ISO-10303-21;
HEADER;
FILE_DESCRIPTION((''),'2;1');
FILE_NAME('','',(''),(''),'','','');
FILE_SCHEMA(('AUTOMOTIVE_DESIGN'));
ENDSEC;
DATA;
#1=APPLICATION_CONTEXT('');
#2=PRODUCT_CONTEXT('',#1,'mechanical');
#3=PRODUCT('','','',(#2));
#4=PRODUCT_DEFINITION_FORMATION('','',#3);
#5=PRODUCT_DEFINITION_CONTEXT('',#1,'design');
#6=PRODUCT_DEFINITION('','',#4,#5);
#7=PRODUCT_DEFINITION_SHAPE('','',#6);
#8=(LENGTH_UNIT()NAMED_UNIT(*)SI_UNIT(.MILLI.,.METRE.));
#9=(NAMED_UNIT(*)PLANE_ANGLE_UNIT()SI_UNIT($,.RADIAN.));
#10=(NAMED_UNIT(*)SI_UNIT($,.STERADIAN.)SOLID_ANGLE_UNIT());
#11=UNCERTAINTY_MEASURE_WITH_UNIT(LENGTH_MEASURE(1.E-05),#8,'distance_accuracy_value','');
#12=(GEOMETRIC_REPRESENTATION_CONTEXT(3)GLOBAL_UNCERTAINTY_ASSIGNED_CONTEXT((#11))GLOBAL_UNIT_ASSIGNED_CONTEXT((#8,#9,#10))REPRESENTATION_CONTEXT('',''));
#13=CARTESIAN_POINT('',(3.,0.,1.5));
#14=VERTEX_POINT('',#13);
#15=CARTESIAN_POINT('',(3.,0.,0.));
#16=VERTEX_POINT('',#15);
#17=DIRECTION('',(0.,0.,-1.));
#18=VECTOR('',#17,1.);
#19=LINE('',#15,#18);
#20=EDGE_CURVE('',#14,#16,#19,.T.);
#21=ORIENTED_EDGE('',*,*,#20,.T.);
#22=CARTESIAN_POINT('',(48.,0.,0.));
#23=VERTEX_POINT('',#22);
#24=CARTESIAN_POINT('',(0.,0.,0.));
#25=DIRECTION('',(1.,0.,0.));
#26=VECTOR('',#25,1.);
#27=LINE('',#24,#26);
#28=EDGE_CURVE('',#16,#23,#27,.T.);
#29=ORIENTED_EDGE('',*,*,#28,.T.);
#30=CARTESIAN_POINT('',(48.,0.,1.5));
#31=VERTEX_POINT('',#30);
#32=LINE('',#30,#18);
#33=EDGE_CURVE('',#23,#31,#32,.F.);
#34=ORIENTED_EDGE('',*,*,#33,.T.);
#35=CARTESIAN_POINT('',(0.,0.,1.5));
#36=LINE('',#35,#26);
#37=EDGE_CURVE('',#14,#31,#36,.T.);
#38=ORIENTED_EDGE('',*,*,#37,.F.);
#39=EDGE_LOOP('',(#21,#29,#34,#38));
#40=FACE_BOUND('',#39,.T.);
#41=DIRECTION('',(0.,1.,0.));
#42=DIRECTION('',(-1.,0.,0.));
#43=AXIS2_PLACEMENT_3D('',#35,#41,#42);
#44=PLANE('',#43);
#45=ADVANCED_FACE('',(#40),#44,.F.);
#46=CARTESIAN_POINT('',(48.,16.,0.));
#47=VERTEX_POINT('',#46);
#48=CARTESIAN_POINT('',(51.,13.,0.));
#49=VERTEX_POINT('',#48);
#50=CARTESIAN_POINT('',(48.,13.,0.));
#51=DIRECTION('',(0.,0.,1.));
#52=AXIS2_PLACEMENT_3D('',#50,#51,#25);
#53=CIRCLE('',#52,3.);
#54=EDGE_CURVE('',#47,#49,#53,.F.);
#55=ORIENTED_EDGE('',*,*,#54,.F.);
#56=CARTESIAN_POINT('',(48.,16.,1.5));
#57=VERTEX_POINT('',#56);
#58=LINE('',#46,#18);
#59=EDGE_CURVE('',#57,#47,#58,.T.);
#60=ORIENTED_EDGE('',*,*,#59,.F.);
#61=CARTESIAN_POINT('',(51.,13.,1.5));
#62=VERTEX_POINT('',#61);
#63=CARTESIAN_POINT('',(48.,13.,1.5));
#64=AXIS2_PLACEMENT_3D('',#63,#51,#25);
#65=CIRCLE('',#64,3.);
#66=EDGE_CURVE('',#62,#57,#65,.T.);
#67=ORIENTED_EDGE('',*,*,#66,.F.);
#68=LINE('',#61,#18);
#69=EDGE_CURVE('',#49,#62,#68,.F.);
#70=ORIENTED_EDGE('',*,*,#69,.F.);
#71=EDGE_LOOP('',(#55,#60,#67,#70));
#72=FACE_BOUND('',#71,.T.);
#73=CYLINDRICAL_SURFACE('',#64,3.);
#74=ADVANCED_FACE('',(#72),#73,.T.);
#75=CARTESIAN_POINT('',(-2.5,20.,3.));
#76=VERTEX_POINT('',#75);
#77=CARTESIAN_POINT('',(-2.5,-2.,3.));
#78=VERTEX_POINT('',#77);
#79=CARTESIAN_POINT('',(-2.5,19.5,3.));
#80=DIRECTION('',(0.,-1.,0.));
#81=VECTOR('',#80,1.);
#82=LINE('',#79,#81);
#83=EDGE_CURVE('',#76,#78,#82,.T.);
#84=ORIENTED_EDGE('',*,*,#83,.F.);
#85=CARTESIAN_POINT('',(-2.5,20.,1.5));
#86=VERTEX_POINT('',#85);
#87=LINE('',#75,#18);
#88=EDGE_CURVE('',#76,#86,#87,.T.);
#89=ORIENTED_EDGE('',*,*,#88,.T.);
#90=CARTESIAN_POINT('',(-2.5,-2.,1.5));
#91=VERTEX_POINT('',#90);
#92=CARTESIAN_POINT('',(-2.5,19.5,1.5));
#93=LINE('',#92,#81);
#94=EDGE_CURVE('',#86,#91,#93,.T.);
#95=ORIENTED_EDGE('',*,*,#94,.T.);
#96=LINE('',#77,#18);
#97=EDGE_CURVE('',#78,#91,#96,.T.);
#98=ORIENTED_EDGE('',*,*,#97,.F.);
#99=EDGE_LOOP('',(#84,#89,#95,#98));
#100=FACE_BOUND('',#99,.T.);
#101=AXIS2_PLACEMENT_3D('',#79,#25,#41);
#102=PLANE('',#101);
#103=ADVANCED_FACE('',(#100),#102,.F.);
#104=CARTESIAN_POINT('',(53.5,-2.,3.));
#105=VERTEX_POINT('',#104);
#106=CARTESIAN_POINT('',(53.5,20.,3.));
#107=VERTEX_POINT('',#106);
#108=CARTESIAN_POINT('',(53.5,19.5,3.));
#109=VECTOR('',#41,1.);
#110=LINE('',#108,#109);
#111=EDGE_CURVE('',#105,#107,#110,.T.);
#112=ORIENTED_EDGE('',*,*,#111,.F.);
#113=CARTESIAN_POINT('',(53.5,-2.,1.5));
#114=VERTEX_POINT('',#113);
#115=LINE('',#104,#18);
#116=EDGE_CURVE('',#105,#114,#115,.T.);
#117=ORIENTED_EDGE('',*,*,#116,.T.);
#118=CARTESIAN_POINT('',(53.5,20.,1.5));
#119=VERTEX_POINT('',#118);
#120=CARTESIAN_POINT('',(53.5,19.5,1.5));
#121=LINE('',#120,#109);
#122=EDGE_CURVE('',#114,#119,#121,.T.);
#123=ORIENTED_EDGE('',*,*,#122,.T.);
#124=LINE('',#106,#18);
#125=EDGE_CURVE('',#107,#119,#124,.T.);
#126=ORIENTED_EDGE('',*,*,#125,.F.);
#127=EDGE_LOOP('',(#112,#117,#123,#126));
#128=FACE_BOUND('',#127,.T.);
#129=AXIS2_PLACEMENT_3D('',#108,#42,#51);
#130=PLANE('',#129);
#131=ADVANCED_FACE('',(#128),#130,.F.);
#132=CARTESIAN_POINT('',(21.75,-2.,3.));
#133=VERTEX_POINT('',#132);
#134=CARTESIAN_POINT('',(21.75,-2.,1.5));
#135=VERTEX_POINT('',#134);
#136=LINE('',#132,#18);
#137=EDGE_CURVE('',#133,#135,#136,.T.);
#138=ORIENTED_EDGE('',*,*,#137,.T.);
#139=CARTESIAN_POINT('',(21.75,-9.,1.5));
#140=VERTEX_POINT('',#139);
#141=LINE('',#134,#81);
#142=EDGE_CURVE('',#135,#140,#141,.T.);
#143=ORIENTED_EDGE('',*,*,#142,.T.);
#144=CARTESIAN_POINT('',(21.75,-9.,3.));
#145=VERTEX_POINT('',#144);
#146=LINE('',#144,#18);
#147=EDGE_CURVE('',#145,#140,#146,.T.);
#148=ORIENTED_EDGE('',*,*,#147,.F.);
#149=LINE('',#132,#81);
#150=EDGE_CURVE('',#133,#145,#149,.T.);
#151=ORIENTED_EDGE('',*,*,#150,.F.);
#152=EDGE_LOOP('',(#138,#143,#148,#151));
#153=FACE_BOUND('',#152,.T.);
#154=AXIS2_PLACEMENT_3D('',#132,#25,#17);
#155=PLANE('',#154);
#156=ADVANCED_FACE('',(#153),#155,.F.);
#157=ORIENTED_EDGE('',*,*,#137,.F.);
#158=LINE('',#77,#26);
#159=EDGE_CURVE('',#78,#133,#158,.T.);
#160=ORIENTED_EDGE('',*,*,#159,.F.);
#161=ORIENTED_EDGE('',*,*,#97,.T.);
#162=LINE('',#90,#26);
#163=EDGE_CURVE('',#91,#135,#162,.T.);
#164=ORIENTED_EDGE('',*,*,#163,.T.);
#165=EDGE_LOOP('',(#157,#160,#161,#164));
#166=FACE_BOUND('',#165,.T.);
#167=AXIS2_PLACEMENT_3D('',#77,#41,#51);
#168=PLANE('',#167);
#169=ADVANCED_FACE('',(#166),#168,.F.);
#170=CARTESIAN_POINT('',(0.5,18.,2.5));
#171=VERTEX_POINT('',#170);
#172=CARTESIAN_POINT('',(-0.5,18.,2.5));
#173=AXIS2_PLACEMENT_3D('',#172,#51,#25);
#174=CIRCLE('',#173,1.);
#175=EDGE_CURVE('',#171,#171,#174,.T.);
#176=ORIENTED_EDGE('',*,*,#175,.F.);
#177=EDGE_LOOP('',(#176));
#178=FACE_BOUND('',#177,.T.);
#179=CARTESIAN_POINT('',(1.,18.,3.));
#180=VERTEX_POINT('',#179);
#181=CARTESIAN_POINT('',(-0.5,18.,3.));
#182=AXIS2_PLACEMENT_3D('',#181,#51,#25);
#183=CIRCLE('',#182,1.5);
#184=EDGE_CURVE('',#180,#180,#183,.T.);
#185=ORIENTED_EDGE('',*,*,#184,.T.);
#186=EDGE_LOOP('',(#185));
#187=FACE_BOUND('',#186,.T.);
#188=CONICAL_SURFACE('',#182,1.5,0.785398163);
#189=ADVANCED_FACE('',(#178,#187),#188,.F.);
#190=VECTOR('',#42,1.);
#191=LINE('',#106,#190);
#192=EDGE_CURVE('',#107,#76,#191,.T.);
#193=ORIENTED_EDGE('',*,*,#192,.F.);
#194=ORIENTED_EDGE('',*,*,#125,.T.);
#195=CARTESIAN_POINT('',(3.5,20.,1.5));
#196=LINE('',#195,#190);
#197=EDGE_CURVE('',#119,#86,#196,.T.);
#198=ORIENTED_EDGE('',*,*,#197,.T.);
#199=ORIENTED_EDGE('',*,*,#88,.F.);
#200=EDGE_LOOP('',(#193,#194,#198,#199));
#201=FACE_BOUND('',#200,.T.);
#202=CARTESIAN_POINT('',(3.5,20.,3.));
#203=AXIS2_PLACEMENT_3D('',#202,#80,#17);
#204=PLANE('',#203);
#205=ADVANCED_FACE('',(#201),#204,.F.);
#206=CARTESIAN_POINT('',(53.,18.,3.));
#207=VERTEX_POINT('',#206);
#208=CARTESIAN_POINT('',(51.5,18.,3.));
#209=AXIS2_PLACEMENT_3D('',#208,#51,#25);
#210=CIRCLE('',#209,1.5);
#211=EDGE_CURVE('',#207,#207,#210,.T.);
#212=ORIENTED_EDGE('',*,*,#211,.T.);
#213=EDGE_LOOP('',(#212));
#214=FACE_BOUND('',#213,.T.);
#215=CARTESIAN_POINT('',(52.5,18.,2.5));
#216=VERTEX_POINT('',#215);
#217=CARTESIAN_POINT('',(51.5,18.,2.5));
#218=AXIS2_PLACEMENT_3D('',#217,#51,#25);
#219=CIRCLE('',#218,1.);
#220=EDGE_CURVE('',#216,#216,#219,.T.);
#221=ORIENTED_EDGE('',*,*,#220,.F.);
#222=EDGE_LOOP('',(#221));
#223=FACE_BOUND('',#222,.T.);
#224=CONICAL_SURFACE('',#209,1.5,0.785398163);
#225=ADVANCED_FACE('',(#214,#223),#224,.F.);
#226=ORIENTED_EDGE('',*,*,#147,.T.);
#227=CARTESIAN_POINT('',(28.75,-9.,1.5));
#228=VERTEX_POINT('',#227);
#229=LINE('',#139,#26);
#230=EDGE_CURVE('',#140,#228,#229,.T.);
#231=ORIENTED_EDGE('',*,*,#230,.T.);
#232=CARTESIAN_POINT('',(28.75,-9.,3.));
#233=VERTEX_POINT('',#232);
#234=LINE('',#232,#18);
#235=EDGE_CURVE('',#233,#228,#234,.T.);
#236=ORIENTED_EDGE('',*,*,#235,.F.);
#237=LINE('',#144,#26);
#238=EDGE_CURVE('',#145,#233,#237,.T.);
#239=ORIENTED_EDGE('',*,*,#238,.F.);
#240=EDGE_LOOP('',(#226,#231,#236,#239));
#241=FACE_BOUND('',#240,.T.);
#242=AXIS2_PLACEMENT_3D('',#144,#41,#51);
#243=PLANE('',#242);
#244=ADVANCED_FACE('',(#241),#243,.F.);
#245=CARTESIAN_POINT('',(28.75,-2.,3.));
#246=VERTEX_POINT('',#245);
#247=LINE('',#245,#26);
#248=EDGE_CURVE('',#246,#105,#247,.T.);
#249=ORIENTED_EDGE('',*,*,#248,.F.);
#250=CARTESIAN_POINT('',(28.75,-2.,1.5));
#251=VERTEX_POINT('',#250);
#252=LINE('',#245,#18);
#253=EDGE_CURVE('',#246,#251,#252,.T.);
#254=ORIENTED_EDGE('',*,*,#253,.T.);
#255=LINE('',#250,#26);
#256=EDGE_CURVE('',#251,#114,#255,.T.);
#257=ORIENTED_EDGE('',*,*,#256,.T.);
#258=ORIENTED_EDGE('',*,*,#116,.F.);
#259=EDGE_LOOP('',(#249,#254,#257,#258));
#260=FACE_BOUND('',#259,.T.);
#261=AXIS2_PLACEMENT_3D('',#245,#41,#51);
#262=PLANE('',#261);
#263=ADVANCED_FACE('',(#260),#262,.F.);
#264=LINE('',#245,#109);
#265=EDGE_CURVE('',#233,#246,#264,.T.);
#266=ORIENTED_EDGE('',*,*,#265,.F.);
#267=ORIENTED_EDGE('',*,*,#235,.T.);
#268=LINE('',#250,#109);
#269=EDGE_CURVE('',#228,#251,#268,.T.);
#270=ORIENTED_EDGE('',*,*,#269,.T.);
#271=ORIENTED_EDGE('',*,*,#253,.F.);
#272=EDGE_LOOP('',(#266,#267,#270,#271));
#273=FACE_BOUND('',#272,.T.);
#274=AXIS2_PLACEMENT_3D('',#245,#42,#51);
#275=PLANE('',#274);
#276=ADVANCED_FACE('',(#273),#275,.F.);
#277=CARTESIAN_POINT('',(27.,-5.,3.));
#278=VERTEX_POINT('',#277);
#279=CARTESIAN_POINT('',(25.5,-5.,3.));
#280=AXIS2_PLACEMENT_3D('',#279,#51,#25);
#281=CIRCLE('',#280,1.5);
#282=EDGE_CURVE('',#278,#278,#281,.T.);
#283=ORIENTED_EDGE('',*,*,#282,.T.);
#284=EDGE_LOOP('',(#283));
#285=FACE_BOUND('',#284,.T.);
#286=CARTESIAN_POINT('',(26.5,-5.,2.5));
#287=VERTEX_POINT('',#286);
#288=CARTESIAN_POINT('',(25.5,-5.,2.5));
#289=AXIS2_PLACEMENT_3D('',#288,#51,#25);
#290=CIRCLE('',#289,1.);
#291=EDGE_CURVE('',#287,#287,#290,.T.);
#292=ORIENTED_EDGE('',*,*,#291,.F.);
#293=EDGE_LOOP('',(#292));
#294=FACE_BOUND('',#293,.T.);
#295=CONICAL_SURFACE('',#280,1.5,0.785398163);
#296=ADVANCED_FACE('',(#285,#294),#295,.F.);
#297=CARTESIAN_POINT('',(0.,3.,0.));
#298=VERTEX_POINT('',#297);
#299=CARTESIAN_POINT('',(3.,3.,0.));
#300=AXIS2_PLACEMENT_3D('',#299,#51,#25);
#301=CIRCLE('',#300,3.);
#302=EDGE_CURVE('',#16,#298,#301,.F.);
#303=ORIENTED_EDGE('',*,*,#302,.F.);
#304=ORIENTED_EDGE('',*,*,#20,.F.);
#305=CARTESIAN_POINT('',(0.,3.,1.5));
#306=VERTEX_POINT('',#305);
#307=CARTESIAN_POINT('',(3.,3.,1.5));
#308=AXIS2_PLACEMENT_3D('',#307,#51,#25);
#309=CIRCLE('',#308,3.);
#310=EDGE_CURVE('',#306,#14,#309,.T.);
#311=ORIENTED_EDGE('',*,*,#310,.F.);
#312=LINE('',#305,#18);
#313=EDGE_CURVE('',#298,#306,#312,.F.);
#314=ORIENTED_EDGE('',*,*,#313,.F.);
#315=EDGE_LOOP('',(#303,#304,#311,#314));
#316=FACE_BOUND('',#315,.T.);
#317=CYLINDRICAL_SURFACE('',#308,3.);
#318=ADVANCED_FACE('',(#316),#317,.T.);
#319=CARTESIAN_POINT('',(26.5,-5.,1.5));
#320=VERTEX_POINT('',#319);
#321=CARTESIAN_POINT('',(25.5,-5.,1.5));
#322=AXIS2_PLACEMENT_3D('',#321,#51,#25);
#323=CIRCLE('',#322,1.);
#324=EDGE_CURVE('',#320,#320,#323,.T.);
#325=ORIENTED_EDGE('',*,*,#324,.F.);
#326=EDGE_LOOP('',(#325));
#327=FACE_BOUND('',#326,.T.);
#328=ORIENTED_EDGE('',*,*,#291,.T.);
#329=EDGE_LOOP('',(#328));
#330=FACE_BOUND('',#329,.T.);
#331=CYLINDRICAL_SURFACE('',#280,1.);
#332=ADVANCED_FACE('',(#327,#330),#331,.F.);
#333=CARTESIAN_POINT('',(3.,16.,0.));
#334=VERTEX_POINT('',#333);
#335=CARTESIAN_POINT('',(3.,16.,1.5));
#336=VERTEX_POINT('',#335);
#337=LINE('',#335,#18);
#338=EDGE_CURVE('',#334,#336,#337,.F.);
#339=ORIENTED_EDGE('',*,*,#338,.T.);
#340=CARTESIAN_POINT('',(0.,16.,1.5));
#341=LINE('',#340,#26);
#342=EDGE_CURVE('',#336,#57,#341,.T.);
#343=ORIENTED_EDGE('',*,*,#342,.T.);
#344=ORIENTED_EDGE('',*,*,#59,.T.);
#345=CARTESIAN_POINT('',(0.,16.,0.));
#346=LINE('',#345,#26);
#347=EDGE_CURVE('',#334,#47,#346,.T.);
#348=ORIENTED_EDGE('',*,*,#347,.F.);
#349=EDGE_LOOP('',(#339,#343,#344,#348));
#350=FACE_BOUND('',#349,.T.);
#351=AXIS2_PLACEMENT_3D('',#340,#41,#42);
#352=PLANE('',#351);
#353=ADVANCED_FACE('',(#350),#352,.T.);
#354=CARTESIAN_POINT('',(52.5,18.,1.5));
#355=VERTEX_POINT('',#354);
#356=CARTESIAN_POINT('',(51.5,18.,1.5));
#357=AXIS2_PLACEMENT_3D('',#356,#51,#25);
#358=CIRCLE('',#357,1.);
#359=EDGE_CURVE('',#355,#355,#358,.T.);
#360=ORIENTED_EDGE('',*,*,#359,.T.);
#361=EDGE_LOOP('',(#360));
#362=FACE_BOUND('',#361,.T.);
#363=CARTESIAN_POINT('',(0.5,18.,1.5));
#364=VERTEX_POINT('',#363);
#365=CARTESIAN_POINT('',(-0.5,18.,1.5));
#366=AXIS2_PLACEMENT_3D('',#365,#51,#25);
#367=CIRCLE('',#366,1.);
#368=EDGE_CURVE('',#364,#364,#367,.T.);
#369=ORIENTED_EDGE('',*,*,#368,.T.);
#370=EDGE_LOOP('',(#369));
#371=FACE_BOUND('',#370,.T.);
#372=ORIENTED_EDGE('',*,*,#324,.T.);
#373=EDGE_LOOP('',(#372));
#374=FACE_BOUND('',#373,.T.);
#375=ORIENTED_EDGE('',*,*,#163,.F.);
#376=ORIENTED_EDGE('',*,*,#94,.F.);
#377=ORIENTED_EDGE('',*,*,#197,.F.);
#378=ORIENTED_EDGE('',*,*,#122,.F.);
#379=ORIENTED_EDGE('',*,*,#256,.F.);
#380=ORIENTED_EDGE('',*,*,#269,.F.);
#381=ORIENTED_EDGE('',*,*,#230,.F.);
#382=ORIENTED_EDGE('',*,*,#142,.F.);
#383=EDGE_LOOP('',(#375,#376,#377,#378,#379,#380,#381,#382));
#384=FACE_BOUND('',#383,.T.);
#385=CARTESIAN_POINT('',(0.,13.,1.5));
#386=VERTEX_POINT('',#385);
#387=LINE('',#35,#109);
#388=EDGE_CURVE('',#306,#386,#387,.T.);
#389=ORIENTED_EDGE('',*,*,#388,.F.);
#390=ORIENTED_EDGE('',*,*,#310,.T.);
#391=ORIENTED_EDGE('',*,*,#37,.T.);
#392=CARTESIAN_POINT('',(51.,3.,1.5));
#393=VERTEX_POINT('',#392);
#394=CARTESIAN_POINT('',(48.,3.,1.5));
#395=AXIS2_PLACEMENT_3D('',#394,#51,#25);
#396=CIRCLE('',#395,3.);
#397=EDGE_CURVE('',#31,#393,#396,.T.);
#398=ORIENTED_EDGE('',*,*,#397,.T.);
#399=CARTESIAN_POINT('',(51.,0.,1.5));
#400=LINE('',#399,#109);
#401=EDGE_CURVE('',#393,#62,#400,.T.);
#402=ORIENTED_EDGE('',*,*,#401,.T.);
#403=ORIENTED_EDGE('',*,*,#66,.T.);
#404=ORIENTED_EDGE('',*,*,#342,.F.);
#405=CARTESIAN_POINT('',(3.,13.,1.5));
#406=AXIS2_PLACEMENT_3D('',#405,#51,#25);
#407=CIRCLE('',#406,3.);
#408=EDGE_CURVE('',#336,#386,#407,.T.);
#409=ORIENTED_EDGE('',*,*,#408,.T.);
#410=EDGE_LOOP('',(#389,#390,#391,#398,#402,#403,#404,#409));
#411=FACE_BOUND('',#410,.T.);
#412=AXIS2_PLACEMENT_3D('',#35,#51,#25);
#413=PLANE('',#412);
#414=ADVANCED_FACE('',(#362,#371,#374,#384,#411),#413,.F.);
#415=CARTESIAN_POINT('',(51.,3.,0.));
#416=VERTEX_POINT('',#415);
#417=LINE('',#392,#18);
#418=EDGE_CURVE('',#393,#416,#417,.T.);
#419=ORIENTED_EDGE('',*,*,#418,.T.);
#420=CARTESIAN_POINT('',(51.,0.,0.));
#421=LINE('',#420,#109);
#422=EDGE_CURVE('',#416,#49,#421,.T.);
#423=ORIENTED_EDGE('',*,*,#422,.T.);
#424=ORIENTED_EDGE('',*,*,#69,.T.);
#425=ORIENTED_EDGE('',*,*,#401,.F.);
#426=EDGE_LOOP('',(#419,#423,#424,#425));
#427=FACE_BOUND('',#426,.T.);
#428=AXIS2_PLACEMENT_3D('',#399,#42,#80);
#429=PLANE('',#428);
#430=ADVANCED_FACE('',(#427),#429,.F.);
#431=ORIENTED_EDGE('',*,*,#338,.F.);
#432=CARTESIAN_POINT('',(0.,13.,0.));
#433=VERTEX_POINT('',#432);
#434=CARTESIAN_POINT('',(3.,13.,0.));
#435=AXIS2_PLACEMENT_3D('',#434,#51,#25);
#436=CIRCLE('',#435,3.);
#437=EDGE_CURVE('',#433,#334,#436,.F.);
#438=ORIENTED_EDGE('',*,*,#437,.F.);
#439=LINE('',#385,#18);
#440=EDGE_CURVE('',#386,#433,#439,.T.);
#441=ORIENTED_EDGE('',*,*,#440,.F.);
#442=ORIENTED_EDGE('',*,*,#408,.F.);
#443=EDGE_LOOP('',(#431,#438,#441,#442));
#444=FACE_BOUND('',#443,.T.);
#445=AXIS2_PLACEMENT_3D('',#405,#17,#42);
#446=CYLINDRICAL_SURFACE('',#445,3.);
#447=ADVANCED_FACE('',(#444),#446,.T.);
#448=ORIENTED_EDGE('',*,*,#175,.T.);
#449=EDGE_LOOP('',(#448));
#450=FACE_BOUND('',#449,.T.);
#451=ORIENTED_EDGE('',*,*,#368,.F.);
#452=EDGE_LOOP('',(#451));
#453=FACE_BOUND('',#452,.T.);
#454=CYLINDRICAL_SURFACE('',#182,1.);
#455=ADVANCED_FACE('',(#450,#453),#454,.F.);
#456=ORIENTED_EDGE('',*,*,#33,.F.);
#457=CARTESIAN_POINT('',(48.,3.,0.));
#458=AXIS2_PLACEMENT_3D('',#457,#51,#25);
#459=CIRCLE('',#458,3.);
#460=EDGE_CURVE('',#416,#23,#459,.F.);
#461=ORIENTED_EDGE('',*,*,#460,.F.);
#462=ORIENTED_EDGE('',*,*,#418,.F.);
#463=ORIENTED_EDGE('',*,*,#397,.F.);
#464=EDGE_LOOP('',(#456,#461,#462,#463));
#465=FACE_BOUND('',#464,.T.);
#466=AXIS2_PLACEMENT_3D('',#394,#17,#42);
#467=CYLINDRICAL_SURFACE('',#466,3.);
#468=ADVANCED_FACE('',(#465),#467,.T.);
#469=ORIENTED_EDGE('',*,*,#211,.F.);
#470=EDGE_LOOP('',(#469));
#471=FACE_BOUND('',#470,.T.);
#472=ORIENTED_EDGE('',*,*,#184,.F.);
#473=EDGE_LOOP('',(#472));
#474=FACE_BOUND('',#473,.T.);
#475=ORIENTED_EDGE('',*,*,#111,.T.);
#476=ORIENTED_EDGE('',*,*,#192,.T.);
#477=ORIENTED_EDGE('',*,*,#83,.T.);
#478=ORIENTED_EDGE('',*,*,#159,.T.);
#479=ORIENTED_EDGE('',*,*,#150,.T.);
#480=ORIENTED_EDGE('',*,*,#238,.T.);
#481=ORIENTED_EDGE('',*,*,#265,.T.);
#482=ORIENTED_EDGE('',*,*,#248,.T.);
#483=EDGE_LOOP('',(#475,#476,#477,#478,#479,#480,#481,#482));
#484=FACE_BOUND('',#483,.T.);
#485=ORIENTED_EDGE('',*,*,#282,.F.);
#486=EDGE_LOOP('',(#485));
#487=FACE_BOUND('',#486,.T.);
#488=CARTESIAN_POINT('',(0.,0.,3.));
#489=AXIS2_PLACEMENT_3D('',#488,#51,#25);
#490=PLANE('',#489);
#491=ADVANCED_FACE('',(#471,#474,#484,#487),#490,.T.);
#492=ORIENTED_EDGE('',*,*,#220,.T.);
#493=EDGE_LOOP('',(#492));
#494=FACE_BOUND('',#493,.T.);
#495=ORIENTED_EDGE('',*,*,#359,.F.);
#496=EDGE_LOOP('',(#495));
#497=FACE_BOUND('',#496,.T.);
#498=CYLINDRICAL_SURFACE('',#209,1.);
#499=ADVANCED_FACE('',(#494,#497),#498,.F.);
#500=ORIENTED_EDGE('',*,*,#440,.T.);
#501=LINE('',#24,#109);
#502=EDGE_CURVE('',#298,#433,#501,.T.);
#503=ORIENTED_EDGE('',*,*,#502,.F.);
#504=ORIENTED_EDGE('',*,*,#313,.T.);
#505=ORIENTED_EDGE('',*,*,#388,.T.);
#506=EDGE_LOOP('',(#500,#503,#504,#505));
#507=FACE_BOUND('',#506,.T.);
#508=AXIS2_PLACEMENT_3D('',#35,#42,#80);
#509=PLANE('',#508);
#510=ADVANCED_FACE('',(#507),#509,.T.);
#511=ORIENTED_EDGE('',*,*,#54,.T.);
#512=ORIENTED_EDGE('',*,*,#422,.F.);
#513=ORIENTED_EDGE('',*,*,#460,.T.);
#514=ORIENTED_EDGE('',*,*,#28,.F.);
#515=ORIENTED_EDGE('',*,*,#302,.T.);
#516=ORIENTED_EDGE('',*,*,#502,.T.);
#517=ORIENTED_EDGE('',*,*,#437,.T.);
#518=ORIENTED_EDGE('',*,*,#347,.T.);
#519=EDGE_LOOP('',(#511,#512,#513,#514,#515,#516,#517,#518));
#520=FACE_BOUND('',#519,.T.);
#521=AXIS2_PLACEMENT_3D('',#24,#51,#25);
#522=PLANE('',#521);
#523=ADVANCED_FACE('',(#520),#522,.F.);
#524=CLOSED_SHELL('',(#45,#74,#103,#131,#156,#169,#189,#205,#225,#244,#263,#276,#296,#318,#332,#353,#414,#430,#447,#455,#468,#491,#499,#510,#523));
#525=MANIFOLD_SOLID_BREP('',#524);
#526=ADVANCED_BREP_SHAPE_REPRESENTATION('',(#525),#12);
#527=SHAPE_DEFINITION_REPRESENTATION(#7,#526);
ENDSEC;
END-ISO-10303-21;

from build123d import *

# Parameters (mm, degrees)
SKETCH_1_W                  = 51
SKETCH_1_H                  = 16
EXTRUDE_1_DEPTH             = 1.5
EXTRUDE_2_DEPTH             = 1.5
FILLET_2_R                  = 3
HOLE_WIZARD_M21_D           = 2
HOLE_WIZARD_M21_CSINK_D     = 3
HOLE_WIZARD_M21_CSINK_ANGLE = 90


with BuildPart() as part:
    # Эскиз1 → Бобышка-Вытянуть1 (new body)
    with BuildSketch(Plane.XY):
        with Locations((25.5, 8)):
            Rectangle(SKETCH_1_W, SKETCH_1_H)
    extrude(amount=EXTRUDE_1_DEPTH)

    # Эскиз2 → Бобышка-Вытянуть2 (add)
    with BuildSketch(Plane.XY.offset(1.5)):
        Polygon((3.5, 20), (47.5, 20), (53.5, 20), (53.5, 19.5), (53.5, -2), (28.75, -2), (28.75, -9), (21.75, -9), (21.75, -2), (-2.5, -2), (-2.5, 19.5), (-2.5, 20), align=None)
    extrude(amount=EXTRUDE_2_DEPTH)

    # Скругление2
    fillet_2_edges = [part.edges().sort_by_distance(p)[0] for p in [
        (0, 0, 0.75),
        (0, 16, 0.75),
        (51, 16, 0.75),
        (51, 0, 0.75),
    ]]
    fillet(fillet_2_edges, radius=FILLET_2_R)

    # Зенковка для  винта с полупотайной головкой M21 (through all)
    with Locations(Plane.XY.offset(3)):
        with Locations((25.5, -5), (-0.5, 18), (51.5, 18)):
            CounterSinkHole(HOLE_WIZARD_M21_D / 2, HOLE_WIZARD_M21_CSINK_D / 2, counter_sink_angle=HOLE_WIZARD_M21_CSINK_ANGLE)


solid = part.part
